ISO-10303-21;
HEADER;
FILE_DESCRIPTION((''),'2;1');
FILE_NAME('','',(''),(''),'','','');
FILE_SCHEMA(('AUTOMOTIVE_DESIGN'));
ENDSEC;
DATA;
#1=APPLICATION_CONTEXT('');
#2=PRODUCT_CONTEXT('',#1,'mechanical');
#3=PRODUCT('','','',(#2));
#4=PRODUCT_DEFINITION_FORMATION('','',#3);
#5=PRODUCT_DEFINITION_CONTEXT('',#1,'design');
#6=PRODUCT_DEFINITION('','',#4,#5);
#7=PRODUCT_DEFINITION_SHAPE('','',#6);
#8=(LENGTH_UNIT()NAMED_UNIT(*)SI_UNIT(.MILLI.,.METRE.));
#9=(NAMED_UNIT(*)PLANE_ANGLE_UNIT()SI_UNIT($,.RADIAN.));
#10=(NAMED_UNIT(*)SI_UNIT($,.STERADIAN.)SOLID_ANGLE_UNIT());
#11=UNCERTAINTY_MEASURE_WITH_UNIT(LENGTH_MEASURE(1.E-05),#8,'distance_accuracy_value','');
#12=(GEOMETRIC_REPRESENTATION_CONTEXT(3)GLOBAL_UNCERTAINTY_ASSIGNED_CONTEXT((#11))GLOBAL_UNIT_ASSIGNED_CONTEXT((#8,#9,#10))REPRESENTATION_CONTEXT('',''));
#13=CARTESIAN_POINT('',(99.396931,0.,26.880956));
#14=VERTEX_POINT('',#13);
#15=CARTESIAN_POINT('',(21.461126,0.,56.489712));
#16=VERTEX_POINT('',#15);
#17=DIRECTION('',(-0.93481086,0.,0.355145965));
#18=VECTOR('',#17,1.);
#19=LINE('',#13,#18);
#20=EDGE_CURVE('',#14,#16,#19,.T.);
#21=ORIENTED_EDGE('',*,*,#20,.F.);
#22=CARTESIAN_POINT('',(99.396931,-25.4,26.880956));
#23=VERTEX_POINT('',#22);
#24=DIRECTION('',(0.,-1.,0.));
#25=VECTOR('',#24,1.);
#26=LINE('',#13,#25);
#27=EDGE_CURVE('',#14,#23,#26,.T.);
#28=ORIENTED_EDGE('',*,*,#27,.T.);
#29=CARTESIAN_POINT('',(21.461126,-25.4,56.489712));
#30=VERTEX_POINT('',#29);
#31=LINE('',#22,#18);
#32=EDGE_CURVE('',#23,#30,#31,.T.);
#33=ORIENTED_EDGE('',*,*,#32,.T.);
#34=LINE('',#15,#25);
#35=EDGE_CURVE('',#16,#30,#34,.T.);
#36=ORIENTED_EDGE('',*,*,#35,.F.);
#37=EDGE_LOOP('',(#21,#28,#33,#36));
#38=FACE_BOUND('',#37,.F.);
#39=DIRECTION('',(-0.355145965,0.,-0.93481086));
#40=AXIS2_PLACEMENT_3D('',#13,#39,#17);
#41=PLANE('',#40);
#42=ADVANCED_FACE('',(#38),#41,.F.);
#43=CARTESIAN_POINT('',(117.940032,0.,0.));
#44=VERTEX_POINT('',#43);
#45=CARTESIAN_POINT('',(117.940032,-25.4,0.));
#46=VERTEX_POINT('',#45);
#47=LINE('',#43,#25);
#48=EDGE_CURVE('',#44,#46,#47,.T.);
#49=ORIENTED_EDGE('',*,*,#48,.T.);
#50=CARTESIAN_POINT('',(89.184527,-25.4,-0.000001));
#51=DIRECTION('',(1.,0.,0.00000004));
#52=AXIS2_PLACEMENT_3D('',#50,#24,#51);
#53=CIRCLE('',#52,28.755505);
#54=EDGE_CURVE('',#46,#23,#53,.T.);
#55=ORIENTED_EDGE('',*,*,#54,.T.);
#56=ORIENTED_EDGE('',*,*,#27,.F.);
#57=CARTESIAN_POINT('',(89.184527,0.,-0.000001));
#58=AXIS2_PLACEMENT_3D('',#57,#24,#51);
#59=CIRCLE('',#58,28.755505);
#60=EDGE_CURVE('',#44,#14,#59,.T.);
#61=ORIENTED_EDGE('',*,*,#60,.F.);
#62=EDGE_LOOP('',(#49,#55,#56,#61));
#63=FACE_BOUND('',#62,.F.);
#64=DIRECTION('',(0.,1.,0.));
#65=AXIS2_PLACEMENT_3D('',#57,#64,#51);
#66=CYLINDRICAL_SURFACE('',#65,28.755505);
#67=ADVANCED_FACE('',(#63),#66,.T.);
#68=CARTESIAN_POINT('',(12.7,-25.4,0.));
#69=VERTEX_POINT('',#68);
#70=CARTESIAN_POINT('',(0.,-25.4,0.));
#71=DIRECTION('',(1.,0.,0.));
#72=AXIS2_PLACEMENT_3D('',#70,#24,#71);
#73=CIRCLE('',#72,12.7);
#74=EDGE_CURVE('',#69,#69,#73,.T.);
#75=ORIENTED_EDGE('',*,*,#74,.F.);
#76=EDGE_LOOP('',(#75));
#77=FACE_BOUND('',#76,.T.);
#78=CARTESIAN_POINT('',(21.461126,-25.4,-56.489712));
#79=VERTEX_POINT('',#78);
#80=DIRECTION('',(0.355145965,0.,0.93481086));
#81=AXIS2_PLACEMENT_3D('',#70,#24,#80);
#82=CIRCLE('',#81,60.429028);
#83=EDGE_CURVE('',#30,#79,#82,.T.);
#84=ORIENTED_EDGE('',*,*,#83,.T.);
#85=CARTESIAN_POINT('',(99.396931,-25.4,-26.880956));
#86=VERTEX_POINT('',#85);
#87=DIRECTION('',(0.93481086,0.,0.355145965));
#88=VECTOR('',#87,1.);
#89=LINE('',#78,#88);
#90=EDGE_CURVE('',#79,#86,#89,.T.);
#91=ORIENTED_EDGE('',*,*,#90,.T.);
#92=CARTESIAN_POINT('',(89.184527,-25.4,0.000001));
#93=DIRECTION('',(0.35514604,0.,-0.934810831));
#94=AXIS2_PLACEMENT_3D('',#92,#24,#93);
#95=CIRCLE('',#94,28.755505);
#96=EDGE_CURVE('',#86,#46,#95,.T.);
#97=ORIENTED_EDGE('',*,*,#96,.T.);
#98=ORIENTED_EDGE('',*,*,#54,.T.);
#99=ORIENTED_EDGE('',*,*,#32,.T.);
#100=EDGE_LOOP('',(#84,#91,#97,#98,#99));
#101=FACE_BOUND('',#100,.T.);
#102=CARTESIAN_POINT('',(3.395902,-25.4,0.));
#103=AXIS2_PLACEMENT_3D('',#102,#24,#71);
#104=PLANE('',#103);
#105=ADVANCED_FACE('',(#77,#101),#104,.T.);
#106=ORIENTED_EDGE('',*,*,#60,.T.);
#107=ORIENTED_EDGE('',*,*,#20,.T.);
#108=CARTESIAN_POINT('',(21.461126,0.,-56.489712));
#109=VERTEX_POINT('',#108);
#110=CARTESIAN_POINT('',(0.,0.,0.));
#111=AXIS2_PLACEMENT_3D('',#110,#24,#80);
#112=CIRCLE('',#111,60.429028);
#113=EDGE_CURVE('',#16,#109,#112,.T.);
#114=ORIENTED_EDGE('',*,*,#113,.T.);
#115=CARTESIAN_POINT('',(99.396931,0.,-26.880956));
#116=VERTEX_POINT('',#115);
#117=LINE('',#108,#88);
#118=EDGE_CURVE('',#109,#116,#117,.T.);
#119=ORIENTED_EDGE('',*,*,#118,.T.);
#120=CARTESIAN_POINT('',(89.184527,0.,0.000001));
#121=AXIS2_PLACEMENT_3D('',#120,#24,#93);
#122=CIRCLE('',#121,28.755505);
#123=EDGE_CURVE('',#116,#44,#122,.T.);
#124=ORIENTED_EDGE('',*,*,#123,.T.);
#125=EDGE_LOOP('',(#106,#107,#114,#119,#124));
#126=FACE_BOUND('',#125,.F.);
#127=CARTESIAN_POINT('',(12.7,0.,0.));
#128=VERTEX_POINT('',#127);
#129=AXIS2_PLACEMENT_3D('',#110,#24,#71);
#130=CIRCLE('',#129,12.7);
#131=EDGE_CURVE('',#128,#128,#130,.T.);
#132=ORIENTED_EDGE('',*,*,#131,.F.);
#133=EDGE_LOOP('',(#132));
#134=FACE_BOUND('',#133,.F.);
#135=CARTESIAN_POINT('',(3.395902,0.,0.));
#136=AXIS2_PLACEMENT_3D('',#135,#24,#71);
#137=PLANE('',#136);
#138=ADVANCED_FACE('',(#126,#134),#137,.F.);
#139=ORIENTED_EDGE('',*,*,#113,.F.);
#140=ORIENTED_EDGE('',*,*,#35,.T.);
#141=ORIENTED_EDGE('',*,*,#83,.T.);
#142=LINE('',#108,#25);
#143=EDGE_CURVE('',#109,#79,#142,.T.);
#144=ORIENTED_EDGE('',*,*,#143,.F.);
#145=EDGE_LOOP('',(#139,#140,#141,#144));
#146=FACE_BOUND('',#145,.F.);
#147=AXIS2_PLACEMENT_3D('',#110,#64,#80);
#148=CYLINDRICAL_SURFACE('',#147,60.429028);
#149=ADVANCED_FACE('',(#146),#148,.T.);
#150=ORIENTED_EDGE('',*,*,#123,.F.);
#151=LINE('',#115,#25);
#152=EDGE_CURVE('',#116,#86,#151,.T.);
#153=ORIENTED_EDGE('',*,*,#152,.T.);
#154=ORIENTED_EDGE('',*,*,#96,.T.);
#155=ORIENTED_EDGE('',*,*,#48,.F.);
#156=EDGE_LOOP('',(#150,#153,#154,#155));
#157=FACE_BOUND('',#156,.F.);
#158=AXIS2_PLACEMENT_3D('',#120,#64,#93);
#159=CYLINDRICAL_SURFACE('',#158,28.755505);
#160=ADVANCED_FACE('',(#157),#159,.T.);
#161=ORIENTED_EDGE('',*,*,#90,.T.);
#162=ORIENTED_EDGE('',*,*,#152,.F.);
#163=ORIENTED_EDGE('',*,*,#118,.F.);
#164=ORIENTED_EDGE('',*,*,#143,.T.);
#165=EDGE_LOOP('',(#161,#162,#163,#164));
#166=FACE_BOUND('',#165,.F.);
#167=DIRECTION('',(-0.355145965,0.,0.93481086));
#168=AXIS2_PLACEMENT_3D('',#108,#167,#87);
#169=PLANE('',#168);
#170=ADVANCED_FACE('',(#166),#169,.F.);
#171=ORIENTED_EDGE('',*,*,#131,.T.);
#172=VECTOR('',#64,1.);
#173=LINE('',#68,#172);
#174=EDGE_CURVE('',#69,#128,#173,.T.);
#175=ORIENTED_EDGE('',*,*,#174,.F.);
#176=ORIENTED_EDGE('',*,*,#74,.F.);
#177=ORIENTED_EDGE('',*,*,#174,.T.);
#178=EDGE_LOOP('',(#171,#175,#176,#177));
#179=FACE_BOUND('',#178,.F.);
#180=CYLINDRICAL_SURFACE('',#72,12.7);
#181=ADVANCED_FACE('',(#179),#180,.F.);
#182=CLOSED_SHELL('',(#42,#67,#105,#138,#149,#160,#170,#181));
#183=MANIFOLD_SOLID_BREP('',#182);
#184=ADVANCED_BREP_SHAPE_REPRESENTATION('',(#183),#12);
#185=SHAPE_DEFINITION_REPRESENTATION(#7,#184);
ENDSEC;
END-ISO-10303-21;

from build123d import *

# Parameters (mm, degrees)
F1_DEPTH = 25.4
F2_R     = 12.7
F3_DEPTH = 25.401


with BuildPart() as f1:
    # F0 (on Front) → F1 (new body)
    with BuildSketch(Plane.XZ):
        with BuildLine():
            ThreePointArc((21.461126, -56.489712), (49.742047, -34.313208), (60.429028, 0))
            ThreePointArc((60.429028, 0), (49.742047, 34.313208), (21.461126, 56.489712))
            ThreePointArc((21.461126, 56.489712), (-60.429028, 0), (21.461126, -56.489712))
        make_face()
        with BuildLine():
            ThreePointArc((21.461126, 56.489712), (49.742047, 34.313208), (60.429028, 0))
            ThreePointArc((60.429028, 0), (72.856392, 23.67004), (99.396931, 26.880956))
            Line((99.396931, 26.880956), (21.461126, 56.489712))
        make_face()
        with BuildLine():
            ThreePointArc((99.396931, -26.880956), (72.856392, -23.67004), (60.429028, 0))
            ThreePointArc((60.429028, 0), (49.742047, -34.313208), (21.461126, -56.489712))
            Line((21.461126, -56.489712), (99.396931, -26.880956))
        make_face()
        with BuildLine():
            ThreePointArc((99.396931, 26.880956), (72.856392, 23.67004), (60.429028, 0))
            ThreePointArc((60.429028, 0), (72.856392, -23.67004), (99.396931, -26.880956))
            ThreePointArc((99.396931, -26.880956), (112.85457, -16.328138), (117.940032, 0))
            ThreePointArc((117.940032, 0), (112.85457, 16.328138), (99.396931, 26.880956))
        make_face()
    extrude(amount=F1_DEPTH)

    # F2 (on face) → F3 (cut, through all)
    with BuildSketch(Plane.XZ.offset(25.4)):
        Circle(F2_R)
    extrude(amount=-F3_DEPTH, mode=Mode.SUBTRACT)


solid = f1.part
